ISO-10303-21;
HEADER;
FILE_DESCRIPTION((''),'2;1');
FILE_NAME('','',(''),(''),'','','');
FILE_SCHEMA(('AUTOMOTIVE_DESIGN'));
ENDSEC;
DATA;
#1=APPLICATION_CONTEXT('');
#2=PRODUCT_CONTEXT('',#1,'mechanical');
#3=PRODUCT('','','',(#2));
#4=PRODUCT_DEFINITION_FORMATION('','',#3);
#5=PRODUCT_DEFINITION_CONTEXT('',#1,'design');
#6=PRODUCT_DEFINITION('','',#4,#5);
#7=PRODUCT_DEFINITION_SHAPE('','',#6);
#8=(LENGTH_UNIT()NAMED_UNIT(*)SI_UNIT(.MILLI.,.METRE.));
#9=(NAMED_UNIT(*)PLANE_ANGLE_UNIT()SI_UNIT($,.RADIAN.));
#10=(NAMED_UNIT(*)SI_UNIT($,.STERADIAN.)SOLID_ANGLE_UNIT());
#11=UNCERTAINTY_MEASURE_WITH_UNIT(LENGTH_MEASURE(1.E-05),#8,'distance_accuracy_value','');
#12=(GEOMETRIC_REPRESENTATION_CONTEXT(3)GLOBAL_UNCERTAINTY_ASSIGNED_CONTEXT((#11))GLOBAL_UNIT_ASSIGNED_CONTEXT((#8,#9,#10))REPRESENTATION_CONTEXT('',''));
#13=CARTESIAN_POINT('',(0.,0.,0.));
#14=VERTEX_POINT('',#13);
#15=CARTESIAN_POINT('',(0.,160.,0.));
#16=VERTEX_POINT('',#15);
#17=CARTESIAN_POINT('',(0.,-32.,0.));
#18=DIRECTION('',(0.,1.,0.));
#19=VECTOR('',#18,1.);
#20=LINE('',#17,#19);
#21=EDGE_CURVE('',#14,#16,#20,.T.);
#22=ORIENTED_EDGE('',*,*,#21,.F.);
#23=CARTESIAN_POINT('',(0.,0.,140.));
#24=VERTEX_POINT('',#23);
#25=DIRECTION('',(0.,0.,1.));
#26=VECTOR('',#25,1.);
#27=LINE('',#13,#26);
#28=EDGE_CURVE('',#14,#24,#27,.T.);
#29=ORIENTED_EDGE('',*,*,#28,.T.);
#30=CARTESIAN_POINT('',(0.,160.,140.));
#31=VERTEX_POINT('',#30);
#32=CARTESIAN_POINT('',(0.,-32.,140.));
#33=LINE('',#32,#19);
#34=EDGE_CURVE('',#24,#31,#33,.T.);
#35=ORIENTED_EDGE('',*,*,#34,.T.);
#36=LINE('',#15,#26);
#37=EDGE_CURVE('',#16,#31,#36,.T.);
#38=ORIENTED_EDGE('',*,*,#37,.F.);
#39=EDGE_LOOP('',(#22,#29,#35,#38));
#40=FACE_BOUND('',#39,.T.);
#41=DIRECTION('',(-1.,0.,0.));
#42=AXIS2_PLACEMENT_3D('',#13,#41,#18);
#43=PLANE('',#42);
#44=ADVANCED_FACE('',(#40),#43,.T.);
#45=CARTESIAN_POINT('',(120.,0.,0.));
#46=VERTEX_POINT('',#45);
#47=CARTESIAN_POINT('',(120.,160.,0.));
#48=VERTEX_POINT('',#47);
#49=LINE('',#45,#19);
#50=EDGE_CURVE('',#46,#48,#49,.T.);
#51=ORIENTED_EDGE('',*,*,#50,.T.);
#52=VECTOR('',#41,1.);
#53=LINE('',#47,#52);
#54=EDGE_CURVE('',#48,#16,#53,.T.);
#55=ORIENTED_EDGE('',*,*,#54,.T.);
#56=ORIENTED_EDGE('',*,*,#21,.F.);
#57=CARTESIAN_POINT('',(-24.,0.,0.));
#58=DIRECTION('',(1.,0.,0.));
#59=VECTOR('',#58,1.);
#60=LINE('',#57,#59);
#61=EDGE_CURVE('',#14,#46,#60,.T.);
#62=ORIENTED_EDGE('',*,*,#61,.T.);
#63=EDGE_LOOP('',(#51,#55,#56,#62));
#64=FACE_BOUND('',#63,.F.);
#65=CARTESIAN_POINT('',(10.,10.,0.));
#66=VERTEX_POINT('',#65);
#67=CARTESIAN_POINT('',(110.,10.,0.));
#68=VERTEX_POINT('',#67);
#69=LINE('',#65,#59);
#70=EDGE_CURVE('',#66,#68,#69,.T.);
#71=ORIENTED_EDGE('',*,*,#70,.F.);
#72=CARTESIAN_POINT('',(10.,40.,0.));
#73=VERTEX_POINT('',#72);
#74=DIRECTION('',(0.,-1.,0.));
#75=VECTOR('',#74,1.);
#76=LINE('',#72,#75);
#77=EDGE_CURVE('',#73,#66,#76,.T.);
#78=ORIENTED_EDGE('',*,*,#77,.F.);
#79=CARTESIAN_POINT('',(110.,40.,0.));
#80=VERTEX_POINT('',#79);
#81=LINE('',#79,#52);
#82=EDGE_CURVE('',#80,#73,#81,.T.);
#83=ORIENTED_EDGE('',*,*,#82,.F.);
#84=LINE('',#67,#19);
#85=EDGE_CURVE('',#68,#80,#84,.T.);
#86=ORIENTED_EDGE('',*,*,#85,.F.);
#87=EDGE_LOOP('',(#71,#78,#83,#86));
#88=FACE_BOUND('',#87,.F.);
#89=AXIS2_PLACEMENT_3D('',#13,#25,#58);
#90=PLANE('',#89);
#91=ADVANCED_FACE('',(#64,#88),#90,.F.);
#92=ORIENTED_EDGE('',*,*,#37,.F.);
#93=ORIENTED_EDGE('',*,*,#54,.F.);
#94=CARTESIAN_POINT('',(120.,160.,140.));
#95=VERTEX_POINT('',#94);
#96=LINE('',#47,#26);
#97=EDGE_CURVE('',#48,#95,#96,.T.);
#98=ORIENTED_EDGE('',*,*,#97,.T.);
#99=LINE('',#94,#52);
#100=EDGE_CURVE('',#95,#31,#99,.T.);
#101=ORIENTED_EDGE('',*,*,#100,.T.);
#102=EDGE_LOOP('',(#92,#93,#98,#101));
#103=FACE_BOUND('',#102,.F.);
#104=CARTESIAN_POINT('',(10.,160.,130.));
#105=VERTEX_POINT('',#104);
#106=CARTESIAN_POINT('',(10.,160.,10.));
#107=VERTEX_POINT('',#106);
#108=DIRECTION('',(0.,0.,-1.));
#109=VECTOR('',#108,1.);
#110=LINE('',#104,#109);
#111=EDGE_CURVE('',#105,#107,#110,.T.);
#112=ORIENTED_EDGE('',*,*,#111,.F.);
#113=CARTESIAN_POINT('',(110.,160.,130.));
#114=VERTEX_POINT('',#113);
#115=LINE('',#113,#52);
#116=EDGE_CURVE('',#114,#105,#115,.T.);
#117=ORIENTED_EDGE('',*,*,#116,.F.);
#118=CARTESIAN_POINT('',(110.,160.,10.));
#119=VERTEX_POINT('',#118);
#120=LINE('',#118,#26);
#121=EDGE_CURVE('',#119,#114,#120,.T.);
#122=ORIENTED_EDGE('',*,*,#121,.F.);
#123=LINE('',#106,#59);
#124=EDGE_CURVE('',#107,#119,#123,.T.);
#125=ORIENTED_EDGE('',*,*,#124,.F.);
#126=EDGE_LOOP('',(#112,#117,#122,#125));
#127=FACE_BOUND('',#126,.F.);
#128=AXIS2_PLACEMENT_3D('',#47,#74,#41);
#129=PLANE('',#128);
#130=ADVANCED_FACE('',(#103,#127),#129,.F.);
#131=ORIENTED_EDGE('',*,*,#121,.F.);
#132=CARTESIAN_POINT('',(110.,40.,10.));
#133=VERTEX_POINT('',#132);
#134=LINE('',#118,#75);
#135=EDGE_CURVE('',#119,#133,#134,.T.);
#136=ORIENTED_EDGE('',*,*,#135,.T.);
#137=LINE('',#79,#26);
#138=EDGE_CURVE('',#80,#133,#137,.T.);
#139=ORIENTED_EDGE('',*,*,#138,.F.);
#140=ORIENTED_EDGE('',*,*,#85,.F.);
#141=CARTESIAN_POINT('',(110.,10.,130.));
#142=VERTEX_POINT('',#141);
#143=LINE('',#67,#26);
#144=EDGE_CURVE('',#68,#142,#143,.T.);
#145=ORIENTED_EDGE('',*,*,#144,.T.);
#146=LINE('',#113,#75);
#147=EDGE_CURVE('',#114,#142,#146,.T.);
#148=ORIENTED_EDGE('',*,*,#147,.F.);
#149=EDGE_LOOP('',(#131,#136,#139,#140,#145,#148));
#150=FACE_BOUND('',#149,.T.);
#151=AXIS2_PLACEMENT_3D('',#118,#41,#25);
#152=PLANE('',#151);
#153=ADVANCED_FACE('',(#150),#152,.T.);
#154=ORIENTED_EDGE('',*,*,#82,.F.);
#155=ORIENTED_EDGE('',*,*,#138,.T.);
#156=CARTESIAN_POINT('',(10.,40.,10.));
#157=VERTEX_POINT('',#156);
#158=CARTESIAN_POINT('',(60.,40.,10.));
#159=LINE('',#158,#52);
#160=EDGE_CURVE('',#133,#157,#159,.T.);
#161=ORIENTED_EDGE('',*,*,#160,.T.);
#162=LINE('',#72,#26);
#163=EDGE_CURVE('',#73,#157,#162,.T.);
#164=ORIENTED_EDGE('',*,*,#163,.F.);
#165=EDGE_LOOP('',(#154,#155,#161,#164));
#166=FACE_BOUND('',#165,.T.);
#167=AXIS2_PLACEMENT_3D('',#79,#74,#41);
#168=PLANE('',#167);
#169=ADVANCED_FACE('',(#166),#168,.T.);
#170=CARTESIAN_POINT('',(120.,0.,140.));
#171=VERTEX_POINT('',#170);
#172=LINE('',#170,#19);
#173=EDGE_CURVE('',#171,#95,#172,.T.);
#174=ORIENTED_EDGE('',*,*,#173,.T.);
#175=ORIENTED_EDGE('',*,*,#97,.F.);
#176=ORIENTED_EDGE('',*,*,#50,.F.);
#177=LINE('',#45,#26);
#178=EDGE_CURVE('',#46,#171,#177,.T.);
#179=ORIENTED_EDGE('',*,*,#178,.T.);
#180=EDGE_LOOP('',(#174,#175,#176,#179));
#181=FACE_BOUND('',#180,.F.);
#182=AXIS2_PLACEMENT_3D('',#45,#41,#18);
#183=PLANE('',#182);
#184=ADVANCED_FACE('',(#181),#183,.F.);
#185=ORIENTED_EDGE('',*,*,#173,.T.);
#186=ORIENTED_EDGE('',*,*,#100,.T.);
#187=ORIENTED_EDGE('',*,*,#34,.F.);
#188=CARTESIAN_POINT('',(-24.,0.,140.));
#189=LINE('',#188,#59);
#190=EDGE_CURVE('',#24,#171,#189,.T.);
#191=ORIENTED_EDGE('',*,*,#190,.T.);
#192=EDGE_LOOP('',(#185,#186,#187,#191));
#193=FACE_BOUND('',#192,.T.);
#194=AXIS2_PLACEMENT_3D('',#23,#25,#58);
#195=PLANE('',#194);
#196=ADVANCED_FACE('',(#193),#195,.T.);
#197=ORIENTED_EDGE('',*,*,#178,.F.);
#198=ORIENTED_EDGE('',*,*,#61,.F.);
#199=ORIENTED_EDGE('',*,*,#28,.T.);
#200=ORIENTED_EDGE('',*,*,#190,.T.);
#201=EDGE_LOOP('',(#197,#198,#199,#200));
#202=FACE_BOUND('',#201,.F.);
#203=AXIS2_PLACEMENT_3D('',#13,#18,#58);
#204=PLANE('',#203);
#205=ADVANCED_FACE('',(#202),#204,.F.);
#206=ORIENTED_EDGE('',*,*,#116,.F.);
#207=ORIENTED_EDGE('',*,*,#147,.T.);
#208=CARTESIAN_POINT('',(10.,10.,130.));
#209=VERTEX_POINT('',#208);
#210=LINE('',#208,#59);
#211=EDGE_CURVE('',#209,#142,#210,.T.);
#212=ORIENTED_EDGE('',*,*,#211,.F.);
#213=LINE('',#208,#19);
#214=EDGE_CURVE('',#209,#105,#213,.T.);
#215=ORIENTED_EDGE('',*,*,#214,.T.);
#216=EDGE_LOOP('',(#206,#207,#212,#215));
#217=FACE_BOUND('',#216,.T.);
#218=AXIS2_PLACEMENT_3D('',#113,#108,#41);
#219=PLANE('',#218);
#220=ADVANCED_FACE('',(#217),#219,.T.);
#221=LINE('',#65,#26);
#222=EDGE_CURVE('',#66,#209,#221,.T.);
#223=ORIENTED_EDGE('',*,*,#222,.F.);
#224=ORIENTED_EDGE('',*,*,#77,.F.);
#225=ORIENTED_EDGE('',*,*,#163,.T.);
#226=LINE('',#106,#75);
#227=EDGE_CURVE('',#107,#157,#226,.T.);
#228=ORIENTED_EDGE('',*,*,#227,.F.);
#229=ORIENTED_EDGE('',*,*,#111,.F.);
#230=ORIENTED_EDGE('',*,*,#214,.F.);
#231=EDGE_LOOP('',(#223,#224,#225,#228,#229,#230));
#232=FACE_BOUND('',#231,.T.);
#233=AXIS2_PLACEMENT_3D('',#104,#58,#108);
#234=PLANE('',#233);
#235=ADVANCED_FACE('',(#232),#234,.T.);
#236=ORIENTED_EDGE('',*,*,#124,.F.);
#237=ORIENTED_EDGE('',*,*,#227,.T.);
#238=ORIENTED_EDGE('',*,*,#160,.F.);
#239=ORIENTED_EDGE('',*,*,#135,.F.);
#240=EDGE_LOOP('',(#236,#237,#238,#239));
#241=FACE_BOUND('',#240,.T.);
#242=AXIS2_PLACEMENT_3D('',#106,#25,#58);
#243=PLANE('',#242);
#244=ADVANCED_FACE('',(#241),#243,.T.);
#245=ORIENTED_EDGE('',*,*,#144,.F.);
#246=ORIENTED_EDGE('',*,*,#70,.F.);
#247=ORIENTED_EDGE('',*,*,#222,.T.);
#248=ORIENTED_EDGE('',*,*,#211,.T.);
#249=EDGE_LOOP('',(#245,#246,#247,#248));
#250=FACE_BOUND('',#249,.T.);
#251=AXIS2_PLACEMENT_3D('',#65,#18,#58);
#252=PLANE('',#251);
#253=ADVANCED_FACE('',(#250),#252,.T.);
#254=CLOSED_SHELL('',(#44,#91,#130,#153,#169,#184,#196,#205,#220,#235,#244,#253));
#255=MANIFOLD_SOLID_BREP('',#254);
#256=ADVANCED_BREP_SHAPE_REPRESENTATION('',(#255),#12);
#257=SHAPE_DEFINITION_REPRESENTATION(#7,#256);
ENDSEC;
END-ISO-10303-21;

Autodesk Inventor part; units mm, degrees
ref_plane "YZ Plane" through (0, 0, 0) normal (1, 0, 0) x (0, 1, 0)
ref_plane "XZ Plane" through (0, 0, 0) normal (0, 1, 0) x (-1, 0, 0)
ref_plane "XY Plane" through (0, 0, 0) normal (0, 0, 1) x (1, 0, 0)
sketch "Skizze1" plane through (0, 0, 0) normal (0, 0, 1) x (1, 0, 0)
  line L0 (-24, 0) -> (144, 0) projected
  line L1 (0, -32) -> (0, 192) projected
  line L2 (0, 0) -> (120, 0)
  line L3 (120, 0) -> (120, 160)
  line L4 (120, 160) -> (0, 160)
  line L5 (0, 160) -> (0, 0)
  point P0 (0, 160)
  dimension "d0" = 120
  dimension "d1" = 160
extrude "Extrusion1" add sketch "Skizze1" along normal blind 140
sketch "Skizze2" plane through (0, 0, 0) normal (0, 0, -1) x (-1, 0, 0)
  line L0 (-10, 10) -> (-110, 10)
  line L1 (-110, 10) -> (-110, 40)
  line L2 (-110, 40) -> (-10, 40)
  line L3 (-10, 40) -> (-10, 10)
  line L4 (0, 0) -> (-120, 0) projected
  line L5 (0, 160) -> (0, 0) projected
  line L6 (-120, 0) -> (-120, 160) projected
  dimension "d4" = 10
  dimension "d5" = 10
  dimension "d6" = 10
  dimension "d7" = 30
extrude "Extrusion2" cut sketch "Skizze2" against normal blind 130
sketch "Skizze3" plane through (0, 160, 0) normal (0, 1, 0) x (1, 0, 0)
  line L0 (110, -130) -> (10, -130)
  line L1 (10, -130) -> (10, -10)
  line L2 (10, -10) -> (110, -10)
  line L3 (110, -10) -> (110, -130)
  line L4 (120, -140) -> (0, -140) projected
  line L5 (0, 0) -> (0, -140) projected
  line L6 (120, 0) -> (120, -140) projected
  line L7 (120, 0) -> (0, 0) projected
  dimension "d10" = 10
  dimension "d11" = 10
  dimension "d12" = 10
  dimension "d13" = 10
extrude "Extrusion3" cut sketch "Skizze3" against normal blind 130 contours L0 L1 L2 L3
properties part number "EierkocherTeil2" material "Acetalharz, Schwarz"
